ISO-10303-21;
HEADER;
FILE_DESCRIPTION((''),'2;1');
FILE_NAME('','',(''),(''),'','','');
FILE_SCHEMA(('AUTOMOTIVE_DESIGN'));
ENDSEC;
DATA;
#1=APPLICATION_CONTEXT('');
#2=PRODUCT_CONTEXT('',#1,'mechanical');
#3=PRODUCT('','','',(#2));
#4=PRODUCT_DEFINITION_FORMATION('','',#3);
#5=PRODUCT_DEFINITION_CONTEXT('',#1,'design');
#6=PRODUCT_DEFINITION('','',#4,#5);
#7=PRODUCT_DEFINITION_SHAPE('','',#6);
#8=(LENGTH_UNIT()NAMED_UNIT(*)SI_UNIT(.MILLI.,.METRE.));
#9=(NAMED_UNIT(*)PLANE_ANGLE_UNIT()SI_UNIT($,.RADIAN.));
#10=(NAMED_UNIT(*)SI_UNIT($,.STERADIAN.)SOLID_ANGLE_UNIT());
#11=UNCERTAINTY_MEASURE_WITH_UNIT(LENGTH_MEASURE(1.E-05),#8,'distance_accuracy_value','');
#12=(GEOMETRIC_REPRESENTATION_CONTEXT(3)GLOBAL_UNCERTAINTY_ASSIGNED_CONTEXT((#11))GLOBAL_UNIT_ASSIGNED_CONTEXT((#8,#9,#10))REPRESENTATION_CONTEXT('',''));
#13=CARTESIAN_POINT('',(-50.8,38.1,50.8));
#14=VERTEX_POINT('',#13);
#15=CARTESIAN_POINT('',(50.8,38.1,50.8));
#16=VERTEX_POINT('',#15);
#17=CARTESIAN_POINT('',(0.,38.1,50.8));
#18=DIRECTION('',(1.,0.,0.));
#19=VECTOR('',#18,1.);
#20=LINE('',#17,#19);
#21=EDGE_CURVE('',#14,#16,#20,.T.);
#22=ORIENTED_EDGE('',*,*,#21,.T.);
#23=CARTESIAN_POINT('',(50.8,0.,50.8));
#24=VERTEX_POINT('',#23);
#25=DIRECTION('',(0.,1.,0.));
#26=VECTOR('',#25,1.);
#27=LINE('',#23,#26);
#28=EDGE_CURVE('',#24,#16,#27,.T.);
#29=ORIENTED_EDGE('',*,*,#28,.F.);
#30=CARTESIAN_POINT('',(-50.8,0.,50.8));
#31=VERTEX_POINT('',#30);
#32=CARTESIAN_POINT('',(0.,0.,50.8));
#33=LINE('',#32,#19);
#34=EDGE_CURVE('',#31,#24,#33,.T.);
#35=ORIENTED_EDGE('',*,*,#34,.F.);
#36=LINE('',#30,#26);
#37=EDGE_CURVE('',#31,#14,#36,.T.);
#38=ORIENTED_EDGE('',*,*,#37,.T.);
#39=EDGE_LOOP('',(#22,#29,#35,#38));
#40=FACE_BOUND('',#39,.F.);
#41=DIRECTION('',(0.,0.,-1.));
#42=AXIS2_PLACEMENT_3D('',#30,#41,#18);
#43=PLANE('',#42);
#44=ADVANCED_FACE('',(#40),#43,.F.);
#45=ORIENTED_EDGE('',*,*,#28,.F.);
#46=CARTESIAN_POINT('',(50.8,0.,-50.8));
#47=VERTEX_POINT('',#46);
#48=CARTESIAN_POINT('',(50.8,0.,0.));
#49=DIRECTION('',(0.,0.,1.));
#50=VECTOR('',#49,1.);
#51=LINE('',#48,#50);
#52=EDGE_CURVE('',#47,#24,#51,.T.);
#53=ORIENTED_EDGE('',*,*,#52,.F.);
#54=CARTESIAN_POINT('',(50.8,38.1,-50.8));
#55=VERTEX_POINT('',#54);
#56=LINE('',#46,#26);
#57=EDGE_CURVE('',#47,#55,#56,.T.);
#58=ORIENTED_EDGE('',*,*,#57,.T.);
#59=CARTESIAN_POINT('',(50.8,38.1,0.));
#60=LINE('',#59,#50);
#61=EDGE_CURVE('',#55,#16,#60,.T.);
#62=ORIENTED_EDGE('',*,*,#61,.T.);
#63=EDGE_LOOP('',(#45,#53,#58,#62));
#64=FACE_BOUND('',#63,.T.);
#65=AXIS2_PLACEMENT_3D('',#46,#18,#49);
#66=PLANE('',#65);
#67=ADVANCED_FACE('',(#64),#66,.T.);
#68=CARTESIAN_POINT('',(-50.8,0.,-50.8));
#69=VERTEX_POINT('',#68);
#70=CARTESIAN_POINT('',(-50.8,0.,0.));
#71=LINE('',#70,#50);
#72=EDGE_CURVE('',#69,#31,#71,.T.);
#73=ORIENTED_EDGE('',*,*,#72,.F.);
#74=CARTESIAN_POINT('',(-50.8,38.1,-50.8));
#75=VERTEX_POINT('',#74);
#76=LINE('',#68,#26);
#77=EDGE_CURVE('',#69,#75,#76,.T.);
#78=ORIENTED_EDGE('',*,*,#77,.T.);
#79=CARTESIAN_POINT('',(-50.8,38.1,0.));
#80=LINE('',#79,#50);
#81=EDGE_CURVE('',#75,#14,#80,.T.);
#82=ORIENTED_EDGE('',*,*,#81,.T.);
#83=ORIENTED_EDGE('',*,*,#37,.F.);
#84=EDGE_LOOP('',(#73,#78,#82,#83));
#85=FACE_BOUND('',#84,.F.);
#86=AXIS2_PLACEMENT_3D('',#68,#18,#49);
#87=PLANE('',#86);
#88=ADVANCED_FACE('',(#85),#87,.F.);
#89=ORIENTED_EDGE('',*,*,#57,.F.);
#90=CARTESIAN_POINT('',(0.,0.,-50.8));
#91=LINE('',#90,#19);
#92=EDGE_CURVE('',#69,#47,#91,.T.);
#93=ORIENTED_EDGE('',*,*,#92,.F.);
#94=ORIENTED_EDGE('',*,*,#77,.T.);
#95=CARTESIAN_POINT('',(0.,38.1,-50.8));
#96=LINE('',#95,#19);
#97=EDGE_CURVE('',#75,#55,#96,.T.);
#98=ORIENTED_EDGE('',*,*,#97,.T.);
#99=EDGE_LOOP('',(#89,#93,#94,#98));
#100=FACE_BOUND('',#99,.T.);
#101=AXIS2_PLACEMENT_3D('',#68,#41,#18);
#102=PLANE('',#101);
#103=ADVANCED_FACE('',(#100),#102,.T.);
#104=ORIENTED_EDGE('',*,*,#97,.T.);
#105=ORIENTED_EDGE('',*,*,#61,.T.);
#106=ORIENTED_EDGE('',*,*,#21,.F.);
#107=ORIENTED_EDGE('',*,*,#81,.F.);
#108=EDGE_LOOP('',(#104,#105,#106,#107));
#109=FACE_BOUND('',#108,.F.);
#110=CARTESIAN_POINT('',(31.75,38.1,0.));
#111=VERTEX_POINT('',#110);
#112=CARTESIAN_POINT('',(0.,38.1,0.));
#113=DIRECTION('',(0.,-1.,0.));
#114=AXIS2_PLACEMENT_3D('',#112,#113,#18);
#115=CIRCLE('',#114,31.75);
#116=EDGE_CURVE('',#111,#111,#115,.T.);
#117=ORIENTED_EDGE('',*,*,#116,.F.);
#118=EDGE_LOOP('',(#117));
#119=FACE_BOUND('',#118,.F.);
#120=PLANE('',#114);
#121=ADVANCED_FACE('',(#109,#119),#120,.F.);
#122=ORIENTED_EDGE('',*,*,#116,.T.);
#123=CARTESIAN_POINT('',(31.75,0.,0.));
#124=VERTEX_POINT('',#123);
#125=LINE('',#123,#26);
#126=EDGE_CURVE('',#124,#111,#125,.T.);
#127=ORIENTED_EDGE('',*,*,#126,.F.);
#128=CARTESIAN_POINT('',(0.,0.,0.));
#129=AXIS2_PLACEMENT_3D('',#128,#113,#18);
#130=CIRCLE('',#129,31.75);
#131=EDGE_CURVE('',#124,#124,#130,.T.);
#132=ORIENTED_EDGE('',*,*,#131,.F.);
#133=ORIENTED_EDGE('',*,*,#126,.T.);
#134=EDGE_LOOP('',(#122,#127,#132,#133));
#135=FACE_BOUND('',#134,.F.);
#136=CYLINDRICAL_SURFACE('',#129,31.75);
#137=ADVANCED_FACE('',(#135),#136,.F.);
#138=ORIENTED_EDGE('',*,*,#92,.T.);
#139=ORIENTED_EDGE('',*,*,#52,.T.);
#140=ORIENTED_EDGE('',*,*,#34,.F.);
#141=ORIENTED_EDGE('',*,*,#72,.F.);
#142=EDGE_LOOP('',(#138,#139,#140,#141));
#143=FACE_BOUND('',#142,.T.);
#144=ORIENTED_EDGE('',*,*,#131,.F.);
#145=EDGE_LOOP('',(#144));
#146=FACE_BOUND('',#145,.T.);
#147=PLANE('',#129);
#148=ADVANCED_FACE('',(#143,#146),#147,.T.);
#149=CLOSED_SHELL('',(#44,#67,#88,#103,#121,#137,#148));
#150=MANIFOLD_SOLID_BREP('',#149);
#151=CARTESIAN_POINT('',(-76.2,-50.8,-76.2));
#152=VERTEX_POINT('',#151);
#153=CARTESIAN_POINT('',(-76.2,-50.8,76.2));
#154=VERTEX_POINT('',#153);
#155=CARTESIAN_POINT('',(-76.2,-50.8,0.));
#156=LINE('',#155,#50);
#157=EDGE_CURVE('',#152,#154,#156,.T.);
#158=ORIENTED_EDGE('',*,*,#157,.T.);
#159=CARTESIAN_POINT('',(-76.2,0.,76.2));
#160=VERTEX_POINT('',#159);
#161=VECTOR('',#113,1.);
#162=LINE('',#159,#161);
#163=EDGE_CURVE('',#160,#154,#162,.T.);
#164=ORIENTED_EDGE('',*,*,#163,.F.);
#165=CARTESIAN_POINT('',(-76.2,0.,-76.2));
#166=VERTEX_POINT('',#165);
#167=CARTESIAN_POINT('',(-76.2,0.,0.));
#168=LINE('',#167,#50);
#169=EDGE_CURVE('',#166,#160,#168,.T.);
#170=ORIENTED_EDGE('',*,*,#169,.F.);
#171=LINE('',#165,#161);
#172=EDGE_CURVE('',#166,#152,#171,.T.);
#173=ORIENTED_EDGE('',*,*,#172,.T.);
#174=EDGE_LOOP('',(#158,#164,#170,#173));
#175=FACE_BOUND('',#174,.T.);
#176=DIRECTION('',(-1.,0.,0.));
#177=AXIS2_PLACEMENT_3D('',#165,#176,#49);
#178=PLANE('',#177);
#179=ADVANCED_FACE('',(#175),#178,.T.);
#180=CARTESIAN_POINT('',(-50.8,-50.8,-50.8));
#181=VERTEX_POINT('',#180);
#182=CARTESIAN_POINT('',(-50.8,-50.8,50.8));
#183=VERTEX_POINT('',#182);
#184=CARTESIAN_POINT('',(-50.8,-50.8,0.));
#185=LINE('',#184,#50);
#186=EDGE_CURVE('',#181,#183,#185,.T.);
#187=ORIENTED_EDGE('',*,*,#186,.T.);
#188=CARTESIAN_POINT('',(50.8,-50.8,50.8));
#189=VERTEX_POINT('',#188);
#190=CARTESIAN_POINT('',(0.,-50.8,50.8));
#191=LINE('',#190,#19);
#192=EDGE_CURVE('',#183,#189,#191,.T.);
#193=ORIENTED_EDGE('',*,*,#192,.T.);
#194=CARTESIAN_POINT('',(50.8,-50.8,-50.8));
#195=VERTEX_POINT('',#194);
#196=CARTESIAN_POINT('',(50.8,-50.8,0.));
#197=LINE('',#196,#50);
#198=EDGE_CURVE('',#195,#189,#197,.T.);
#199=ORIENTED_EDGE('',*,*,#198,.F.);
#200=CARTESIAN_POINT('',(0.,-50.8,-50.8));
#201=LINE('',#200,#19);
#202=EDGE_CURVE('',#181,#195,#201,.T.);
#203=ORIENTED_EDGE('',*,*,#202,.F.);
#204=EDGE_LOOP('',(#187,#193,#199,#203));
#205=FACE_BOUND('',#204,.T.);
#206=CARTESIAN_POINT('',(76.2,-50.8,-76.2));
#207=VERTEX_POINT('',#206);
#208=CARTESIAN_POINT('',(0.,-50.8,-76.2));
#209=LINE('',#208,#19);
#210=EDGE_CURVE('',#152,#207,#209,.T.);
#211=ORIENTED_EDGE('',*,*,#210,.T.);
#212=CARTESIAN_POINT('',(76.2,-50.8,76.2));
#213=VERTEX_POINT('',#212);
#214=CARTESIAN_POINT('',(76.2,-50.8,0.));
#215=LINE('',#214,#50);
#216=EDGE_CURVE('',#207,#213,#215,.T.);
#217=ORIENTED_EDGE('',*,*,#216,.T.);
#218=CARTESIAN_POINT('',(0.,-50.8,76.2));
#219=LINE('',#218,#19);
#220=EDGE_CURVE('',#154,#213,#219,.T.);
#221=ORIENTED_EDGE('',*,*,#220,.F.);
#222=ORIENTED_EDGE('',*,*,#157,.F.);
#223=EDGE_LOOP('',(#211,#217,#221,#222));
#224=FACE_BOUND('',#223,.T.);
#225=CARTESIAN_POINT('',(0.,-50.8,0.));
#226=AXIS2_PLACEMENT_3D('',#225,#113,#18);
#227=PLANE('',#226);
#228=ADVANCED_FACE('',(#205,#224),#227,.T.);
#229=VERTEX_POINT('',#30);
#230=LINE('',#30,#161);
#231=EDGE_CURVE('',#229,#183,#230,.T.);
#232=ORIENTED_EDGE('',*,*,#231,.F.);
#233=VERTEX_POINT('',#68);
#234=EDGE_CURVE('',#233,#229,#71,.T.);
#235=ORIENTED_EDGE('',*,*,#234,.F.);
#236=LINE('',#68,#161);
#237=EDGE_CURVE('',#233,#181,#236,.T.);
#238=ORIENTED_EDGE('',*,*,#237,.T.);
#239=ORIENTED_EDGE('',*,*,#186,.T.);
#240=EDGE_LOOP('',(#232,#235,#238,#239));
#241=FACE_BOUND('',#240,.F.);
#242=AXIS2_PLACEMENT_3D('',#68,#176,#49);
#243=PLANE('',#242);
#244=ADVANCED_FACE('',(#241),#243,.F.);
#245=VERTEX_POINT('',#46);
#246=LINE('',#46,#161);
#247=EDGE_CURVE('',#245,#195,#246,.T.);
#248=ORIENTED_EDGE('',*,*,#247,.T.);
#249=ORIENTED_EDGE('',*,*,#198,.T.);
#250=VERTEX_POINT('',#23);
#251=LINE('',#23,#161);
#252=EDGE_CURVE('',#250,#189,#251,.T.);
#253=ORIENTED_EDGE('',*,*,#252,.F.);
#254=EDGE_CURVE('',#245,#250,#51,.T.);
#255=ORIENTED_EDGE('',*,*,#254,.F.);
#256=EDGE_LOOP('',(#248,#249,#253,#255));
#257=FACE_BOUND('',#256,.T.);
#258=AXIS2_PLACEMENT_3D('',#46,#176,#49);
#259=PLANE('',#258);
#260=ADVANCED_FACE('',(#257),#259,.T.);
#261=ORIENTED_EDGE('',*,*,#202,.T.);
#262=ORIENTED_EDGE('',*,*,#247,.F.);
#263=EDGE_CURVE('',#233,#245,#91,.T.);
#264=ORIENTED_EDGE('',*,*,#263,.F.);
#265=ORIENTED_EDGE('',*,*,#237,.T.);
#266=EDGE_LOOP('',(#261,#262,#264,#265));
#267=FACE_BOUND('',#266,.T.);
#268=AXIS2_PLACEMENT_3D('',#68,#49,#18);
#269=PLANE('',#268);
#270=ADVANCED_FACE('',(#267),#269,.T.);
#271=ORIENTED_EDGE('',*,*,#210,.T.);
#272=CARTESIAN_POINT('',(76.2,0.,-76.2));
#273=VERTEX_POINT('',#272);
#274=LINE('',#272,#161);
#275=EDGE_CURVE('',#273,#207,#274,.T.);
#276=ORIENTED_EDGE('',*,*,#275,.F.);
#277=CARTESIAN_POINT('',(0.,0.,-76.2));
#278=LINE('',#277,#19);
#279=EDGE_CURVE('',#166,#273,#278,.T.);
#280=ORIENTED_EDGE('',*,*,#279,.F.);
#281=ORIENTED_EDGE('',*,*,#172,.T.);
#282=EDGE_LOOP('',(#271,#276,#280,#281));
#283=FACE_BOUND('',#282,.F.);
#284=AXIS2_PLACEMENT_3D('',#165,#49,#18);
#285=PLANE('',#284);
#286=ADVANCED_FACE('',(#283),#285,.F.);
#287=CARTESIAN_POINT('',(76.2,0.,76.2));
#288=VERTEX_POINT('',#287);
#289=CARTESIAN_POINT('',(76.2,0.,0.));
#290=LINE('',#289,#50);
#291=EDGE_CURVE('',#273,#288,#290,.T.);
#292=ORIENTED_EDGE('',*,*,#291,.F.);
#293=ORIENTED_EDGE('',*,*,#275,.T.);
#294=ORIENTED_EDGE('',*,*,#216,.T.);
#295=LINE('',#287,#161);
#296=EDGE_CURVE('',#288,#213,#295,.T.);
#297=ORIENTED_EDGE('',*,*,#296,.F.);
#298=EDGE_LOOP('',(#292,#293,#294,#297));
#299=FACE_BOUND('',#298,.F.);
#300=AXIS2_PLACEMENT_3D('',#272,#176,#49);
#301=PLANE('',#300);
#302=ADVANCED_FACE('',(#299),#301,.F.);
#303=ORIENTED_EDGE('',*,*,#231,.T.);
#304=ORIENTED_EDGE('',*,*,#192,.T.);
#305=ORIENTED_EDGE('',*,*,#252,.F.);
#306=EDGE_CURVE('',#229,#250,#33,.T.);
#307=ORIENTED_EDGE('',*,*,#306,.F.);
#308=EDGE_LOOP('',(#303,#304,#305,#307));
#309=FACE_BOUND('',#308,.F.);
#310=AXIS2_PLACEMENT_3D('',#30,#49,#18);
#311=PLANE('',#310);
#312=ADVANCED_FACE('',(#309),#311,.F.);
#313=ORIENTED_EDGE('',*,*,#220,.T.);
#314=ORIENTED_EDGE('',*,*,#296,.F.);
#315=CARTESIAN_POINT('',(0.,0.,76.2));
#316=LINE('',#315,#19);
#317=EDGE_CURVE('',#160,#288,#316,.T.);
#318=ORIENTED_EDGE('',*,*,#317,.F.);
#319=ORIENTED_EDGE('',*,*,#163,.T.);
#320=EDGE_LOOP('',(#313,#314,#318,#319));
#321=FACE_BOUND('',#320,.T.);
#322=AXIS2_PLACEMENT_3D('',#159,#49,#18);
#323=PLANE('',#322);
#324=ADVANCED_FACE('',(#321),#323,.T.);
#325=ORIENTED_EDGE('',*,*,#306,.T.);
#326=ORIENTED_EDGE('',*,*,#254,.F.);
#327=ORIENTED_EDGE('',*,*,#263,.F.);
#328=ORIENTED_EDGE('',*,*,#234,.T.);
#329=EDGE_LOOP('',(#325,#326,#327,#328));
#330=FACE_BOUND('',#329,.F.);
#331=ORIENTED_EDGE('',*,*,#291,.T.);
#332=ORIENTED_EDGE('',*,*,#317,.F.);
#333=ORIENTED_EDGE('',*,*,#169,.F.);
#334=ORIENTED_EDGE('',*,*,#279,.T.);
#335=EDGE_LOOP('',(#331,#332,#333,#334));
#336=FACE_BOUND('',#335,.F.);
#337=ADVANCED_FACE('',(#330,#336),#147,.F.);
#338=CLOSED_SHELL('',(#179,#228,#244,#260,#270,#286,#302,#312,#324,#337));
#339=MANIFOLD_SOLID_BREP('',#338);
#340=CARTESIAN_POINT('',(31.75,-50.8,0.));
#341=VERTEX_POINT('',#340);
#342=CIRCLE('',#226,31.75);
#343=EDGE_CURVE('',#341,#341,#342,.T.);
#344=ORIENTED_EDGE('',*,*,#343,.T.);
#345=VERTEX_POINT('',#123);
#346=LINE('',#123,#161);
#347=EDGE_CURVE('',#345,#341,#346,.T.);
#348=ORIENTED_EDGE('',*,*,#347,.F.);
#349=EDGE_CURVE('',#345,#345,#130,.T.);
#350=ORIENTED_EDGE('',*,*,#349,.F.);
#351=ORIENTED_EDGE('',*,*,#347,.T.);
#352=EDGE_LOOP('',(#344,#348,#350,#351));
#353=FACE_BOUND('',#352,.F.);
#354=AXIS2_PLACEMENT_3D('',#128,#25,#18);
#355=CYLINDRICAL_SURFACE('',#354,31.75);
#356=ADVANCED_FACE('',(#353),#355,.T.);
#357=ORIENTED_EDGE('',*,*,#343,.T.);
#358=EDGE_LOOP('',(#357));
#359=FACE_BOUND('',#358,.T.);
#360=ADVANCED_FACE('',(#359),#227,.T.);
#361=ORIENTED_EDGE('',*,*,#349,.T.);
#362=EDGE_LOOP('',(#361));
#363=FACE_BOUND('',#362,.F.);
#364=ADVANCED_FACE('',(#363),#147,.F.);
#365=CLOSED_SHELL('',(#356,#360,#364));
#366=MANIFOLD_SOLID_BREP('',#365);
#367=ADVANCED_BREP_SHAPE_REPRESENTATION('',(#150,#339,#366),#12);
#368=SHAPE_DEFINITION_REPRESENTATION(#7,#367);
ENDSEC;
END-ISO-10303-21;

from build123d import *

# Parameters (mm, degrees)
F0_W     = 101.6
F0_H     = 101.6
F0_R     = 31.75
F1_DEPTH = 38.1
F0_W_2   = 152.4
F0_H_2   = 152.4
F2_DEPTH = 50.8


with BuildPart() as f1:
    # F0 (on Front) → F1 (new body)
    with BuildSketch(Plane.XZ):
        Rectangle(F0_W, F0_H)
        Circle(F0_R, mode=Mode.SUBTRACT)
    extrude(amount=-F1_DEPTH)


with BuildPart() as f2:
    # F0 (on Front) → F2 (new body)
    with BuildSketch(Plane.XZ):
        Rectangle(F0_W_2, F0_H_2)
        Rectangle(F0_W, F0_H, mode=Mode.SUBTRACT)
        Circle(F0_R)
    extrude(amount=F2_DEPTH)


solid = Compound([f1.part, f2.part])
